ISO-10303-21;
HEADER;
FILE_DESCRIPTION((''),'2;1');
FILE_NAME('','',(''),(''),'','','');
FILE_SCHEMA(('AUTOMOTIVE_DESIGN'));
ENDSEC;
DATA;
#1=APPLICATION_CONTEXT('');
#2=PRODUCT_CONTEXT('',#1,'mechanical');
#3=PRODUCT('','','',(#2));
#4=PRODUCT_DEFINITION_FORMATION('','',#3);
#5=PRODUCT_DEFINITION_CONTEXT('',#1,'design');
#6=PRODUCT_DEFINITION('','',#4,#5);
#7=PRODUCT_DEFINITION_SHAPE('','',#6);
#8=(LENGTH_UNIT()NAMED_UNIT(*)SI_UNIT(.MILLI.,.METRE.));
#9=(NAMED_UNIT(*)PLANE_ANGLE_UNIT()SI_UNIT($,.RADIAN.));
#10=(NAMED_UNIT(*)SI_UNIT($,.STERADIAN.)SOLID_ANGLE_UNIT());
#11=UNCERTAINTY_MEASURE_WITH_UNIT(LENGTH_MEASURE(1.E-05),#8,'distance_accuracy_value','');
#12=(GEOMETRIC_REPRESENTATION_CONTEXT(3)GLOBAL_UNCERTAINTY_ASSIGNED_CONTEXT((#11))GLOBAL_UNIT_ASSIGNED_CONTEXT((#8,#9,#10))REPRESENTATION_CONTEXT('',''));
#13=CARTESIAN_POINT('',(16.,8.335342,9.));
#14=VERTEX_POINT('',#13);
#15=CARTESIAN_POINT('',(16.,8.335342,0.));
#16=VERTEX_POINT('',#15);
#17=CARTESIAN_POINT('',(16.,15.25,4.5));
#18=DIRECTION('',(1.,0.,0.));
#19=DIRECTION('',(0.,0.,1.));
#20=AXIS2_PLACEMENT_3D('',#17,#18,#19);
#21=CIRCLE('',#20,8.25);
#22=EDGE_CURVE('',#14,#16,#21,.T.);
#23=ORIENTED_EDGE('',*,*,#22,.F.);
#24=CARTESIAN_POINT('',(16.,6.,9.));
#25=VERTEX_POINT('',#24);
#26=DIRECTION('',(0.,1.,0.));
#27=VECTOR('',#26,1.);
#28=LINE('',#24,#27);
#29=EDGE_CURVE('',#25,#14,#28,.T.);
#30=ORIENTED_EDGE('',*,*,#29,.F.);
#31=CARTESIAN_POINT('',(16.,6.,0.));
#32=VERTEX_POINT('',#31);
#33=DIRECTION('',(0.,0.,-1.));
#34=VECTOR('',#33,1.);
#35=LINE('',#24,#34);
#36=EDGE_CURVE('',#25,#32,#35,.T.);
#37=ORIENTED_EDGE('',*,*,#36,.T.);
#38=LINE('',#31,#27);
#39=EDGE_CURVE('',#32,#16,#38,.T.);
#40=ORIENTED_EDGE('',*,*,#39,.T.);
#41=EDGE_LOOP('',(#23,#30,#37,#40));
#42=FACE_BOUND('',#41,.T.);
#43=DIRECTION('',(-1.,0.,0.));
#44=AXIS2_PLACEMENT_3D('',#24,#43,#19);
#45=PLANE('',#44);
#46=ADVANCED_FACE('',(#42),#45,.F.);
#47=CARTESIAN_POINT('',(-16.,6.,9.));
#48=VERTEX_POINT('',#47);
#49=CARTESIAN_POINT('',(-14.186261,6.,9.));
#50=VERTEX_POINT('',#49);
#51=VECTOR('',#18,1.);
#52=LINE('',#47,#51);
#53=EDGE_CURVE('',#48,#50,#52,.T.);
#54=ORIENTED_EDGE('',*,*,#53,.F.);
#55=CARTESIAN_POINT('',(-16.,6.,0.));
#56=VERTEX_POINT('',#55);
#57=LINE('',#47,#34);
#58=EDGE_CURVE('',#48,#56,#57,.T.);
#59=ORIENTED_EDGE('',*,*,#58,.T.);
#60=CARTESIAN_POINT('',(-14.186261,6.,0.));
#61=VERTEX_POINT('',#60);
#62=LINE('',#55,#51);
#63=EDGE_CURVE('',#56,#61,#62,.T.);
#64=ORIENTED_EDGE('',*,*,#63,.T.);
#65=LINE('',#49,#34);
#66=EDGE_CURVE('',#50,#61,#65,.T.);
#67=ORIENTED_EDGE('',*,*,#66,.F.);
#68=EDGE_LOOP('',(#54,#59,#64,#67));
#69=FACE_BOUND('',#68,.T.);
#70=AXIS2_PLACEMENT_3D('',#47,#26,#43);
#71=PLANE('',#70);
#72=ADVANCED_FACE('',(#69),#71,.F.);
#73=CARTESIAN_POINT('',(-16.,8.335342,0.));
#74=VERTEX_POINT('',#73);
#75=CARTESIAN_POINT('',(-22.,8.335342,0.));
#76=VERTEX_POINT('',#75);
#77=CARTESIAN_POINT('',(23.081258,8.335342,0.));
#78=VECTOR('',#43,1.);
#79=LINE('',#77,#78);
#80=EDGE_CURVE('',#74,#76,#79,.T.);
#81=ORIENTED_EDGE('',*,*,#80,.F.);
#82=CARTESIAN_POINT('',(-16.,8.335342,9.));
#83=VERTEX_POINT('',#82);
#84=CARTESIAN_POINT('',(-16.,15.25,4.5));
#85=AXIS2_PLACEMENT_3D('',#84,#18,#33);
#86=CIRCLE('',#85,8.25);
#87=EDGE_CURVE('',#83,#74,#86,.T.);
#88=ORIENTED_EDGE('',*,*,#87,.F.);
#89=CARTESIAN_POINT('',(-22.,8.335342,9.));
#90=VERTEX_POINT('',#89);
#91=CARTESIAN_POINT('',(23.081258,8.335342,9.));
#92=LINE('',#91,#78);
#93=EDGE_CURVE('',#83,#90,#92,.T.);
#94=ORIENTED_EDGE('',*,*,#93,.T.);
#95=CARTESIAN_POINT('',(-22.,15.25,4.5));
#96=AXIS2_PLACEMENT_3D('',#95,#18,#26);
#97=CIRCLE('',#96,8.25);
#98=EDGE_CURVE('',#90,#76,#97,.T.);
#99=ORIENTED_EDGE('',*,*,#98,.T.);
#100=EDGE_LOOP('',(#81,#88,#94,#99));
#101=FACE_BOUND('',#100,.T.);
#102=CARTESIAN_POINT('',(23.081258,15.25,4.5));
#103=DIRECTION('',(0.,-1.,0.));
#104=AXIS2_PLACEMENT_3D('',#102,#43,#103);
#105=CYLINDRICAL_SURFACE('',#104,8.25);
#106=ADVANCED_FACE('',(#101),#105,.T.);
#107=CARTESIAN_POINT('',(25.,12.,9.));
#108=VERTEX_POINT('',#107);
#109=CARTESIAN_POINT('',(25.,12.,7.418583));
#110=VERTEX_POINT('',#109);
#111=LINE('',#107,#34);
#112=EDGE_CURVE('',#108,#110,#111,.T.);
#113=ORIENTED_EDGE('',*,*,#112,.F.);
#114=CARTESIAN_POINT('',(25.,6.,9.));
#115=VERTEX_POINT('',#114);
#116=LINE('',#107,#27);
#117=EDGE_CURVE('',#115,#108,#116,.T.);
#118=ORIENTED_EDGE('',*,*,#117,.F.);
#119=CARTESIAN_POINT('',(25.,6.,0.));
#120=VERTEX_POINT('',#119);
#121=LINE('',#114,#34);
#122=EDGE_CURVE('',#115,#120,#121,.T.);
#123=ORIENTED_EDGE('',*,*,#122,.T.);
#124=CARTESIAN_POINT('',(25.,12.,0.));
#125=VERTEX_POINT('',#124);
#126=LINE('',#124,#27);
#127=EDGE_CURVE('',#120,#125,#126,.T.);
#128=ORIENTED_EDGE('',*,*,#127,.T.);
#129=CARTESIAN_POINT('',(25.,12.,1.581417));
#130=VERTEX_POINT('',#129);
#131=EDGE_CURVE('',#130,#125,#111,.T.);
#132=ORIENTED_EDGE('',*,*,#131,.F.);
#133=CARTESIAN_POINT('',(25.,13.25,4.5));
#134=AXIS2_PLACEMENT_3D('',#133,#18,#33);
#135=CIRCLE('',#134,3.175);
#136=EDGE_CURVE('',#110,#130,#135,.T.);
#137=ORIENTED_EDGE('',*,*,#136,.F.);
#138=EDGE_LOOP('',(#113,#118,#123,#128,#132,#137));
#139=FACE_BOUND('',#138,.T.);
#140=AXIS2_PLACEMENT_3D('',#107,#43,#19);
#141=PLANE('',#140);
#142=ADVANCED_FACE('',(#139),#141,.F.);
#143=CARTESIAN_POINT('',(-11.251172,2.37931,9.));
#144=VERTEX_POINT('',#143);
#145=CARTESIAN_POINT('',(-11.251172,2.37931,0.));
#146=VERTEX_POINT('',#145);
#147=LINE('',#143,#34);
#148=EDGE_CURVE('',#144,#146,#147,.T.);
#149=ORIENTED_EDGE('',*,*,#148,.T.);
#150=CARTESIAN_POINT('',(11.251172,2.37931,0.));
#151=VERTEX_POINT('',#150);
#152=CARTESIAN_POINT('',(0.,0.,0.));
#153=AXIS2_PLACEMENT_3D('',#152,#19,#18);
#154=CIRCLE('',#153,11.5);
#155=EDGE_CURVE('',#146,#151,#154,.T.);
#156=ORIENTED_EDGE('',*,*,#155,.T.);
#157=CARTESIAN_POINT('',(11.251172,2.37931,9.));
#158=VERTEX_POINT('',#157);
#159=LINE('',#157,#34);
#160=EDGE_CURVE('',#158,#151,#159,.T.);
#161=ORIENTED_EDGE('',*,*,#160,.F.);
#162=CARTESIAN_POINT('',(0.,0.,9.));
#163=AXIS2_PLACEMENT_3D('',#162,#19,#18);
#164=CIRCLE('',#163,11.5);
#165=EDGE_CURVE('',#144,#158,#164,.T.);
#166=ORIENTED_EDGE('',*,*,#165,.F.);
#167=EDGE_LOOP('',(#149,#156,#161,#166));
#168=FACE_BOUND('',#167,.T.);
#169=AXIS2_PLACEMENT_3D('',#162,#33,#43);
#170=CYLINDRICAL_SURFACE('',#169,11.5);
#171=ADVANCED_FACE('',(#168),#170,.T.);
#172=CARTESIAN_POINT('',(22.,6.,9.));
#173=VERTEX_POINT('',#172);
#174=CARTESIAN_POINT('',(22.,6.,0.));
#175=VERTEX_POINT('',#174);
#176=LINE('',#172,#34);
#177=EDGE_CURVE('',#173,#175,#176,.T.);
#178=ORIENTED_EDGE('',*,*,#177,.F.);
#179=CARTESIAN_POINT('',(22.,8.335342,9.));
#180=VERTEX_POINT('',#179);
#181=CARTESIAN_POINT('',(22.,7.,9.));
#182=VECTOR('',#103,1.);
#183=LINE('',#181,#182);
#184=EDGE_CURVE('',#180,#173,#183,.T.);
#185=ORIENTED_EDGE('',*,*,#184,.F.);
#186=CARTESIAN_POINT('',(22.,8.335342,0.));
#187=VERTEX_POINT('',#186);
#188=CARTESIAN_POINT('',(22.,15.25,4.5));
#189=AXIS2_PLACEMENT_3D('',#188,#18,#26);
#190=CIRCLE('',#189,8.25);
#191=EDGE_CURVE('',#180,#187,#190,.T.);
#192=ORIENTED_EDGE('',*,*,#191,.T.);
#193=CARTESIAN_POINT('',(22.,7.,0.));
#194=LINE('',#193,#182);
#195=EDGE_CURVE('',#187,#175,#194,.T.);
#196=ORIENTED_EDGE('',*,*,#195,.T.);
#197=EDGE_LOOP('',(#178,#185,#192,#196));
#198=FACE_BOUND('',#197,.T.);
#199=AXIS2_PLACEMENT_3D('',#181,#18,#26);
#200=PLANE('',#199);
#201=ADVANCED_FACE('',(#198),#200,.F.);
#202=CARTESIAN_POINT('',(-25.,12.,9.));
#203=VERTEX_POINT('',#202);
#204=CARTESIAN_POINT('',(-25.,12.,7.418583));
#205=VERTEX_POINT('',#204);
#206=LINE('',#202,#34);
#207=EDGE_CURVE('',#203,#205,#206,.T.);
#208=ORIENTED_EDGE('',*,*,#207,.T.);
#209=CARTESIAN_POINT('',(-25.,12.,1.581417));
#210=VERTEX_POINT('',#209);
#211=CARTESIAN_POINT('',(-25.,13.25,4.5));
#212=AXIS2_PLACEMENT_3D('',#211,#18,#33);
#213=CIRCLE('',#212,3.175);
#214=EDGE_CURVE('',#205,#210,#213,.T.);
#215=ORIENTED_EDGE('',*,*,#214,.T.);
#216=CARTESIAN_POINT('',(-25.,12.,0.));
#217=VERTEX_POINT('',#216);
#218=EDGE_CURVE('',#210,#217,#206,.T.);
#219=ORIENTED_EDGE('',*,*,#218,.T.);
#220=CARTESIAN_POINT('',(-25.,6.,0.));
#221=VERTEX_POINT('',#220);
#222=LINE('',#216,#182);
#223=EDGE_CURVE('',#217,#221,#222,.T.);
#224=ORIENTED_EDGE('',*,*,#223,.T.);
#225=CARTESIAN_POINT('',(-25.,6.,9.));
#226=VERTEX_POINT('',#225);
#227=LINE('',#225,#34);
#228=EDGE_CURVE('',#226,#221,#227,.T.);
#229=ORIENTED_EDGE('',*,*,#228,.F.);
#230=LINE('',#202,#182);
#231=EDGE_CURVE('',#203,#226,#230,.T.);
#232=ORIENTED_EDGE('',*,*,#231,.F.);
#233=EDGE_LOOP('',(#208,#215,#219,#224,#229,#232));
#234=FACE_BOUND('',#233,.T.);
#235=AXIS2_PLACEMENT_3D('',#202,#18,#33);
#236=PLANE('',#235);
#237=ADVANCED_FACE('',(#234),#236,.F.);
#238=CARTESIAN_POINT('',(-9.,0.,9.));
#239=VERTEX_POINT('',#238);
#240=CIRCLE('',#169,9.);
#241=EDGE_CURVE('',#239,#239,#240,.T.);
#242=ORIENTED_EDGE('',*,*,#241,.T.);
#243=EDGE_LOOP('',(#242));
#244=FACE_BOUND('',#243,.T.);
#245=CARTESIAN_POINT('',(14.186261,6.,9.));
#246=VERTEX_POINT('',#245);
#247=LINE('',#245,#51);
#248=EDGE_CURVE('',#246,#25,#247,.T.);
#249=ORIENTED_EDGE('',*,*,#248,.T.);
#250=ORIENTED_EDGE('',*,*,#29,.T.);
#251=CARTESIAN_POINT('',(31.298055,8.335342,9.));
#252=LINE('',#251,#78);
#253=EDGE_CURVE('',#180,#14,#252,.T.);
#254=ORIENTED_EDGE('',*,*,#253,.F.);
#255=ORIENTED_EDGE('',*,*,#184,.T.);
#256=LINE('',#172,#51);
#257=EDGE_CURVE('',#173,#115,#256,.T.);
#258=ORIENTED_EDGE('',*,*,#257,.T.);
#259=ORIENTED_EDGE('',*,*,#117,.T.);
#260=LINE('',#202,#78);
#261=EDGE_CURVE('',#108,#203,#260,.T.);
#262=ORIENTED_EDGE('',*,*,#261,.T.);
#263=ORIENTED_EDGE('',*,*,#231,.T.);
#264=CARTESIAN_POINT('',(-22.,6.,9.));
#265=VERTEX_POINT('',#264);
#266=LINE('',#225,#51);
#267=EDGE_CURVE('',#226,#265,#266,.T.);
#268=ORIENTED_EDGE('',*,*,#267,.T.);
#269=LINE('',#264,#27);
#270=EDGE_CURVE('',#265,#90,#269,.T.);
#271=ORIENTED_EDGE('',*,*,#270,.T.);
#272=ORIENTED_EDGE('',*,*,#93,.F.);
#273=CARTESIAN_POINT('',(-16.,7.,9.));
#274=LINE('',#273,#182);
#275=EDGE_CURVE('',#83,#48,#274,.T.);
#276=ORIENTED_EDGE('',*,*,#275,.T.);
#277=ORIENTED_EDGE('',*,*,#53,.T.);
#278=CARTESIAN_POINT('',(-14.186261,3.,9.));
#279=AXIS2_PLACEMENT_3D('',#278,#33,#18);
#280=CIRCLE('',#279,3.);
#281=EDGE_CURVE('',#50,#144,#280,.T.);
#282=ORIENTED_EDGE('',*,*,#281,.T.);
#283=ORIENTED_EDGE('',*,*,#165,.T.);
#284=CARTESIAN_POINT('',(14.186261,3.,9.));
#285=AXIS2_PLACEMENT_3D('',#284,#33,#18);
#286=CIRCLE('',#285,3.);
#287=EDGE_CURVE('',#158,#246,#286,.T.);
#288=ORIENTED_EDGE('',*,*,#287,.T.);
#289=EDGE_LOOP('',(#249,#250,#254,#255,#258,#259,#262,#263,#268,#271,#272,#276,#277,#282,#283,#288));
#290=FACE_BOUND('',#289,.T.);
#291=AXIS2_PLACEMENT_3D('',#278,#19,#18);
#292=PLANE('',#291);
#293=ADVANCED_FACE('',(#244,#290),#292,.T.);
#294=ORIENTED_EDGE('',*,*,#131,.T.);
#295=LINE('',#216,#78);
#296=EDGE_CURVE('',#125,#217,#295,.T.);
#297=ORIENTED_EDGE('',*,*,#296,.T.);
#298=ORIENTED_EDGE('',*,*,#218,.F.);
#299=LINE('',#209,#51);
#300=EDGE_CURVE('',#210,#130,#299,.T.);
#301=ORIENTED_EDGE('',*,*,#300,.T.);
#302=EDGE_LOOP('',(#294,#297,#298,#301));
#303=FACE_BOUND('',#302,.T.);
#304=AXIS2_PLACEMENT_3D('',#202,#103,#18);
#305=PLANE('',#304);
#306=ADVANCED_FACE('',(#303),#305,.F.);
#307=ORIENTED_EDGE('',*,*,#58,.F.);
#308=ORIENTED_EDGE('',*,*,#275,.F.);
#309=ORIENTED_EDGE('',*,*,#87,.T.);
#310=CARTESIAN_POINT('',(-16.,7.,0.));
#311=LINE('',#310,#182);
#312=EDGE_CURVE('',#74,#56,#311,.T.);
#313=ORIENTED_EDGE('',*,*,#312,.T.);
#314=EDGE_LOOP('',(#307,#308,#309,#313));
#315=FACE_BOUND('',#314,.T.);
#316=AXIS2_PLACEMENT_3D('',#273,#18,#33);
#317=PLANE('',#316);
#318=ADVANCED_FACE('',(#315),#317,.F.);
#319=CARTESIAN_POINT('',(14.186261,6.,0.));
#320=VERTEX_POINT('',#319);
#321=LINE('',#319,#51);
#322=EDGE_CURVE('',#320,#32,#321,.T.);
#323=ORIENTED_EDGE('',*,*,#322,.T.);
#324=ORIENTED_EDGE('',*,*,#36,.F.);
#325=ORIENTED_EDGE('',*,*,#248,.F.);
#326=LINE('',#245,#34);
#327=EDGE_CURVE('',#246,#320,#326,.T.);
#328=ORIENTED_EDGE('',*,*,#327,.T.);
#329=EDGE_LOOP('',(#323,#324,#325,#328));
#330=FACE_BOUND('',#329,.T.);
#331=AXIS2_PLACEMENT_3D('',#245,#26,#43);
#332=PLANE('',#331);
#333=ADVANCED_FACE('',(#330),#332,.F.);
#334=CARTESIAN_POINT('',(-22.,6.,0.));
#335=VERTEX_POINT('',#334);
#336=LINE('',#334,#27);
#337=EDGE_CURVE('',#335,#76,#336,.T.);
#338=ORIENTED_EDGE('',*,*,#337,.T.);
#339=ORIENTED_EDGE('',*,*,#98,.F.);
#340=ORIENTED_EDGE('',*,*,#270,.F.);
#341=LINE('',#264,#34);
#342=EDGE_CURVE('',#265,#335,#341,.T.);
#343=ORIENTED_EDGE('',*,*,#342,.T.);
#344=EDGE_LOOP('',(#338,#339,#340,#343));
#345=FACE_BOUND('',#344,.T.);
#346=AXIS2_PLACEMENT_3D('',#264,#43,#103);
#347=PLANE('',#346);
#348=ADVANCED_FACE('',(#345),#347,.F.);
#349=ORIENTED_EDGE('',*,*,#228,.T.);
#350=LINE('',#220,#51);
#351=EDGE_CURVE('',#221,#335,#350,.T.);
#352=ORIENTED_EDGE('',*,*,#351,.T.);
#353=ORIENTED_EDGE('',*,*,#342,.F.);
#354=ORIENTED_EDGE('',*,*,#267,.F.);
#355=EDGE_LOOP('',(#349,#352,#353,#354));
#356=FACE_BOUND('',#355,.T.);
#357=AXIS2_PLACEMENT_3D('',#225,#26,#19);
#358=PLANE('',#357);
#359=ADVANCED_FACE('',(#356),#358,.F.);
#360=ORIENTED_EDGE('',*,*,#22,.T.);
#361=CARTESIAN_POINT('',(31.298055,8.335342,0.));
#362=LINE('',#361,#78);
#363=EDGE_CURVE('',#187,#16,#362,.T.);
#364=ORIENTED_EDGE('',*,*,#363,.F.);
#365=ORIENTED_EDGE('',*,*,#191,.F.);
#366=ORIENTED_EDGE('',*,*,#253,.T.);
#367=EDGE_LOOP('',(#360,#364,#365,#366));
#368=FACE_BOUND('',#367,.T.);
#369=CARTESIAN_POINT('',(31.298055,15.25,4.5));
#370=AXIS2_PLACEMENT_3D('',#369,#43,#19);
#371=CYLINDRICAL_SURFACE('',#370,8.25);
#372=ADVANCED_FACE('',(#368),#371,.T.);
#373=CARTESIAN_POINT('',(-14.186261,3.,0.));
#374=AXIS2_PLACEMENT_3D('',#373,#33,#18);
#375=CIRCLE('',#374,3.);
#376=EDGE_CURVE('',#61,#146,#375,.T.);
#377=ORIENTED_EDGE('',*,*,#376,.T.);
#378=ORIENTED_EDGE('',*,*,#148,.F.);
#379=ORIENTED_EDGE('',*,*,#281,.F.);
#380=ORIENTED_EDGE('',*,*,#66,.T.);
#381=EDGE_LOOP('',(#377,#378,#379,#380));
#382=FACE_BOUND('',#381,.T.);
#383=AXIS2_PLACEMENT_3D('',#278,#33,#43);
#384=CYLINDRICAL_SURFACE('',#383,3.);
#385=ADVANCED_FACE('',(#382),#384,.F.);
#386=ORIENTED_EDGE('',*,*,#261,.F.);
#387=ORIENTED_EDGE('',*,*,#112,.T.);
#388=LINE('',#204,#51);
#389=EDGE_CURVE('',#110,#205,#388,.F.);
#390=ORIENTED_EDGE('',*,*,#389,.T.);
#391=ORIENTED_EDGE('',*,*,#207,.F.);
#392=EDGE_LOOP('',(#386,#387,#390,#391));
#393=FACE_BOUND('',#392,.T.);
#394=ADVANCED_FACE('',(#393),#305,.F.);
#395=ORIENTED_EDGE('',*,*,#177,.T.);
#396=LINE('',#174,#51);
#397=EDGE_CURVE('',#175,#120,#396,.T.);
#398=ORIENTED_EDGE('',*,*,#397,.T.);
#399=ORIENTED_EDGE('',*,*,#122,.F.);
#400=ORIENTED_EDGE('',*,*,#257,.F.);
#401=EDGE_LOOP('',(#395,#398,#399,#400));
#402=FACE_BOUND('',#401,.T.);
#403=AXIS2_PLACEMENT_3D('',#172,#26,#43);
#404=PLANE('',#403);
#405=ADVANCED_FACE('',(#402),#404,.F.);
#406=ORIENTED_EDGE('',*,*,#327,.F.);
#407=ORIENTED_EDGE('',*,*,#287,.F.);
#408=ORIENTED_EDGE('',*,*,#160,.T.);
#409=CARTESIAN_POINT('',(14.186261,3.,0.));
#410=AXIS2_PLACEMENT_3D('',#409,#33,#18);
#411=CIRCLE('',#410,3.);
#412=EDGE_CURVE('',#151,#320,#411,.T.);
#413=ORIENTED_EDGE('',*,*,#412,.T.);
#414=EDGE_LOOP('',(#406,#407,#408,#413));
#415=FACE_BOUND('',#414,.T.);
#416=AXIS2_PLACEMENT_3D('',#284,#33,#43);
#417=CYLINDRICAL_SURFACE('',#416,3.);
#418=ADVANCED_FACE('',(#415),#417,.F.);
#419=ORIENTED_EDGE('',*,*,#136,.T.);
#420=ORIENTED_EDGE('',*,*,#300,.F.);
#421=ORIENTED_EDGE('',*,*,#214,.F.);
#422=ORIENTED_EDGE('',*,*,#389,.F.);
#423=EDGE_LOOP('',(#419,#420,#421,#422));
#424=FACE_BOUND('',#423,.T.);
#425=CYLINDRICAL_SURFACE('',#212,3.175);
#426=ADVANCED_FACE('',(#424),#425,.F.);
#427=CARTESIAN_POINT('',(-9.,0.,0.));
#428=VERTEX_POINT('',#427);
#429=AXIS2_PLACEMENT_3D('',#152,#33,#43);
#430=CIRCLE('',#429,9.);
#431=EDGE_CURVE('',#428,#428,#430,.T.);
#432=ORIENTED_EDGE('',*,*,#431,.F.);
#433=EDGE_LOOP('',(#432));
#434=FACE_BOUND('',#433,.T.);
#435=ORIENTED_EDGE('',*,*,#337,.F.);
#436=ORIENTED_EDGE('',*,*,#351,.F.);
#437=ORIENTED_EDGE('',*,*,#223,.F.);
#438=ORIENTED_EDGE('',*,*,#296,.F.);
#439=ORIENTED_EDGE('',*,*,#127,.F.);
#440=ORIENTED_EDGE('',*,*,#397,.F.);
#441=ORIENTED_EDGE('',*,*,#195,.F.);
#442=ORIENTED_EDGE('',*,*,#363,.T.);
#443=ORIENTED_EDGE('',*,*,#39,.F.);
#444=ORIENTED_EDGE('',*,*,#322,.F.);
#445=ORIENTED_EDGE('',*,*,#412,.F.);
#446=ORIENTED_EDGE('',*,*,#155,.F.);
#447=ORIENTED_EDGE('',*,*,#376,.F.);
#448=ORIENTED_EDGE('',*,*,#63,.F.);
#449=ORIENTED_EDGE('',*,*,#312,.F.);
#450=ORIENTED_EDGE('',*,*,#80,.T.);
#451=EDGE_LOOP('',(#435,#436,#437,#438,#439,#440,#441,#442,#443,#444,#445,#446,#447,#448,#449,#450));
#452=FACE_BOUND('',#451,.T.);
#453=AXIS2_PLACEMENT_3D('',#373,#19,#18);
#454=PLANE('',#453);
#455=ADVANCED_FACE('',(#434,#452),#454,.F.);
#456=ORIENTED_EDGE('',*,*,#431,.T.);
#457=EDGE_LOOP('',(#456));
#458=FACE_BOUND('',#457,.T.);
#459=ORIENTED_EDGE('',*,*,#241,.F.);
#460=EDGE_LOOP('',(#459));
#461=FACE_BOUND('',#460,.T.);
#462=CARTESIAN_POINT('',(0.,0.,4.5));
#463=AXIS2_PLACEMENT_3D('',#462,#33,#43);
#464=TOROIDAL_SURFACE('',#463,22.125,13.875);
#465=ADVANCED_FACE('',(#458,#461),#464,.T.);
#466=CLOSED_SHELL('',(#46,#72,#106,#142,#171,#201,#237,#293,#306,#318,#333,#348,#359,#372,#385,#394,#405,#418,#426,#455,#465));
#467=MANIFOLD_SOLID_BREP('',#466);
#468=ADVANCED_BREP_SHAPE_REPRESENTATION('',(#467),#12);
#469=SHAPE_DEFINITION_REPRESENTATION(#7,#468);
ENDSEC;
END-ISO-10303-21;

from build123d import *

# Parameters (mm, degrees)
SKETCH2_R           = 8.25
BOSS_EXTRUDE1_DEPTH = 9
SKETCH3_R           = 3.175
CUT_EXTRUDE1_DEPTH  = 51
SKETCH4_OUTSIDE_W   = 22.196
SKETCH4_OUTSIDE_H   = 36.696
SKETCH4_OUTSIDE_R   = 8.25
CUT_EXTRUDE2_DEPTH  = 6
CUT_EXTRUDE3_DEPTH  = 6


with BuildPart() as part:
    # Sketch2 → Boss-Extrude1 (new body)
    with BuildSketch(Plane.XY):
        with BuildLine():
            Line((-25, 12), (25, 12))
            Line((25, 12), (25, 6))
            Line((25, 6), (22, 6))
            Line((22, 6), (22, 7))
            Line((22, 7), (16, 7))
            Line((16, 7), (16, 6))
            Line((16, 6), (14.186260959, 6))
            ThreePointArc((14.186260959, 6), (11.855802961, 4.88917059), (11.251172485, 2.379310345))
            ThreePointArc((11.251172485, 2.379310345), (0, -11.5), (-11.251172485, 2.379310345))
            ThreePointArc((-11.251172485, 2.379310345), (-11.855802961, 4.88917059), (-14.186260959, 6))
            Line((-14.186260959, 6), (-16, 6))
            Line((-16, 6), (-16, 7))
            Line((-16, 7), (-22, 7))
            Line((-22, 7), (-22, 6))
            Line((-22, 6), (-25, 6))
            Line((-25, 6), (-25, 12))
        make_face()
        Circle(SKETCH2_R, mode=Mode.SUBTRACT)
    extrude(amount=BOSS_EXTRUDE1_DEPTH)

    # Sketch3 → Cut-Extrude1 (cut, through all)
    with BuildSketch(Plane(origin=(25, 0, 0), x_dir=(0, 0, -1), z_dir=(1, 0, 0))):
        with Locations((-4.5, 13.25)):
            Circle(SKETCH3_R)
    extrude(amount=-CUT_EXTRUDE1_DEPTH, mode=Mode.SUBTRACT)

    # Sketch4 outside → Cut-Extrude2 (cut)
    with BuildSketch(Plane(origin=(-22, 0, 0), x_dir=(0, 0, -1), z_dir=(1, 0, 0))):
        with Locations((-4.5, 0.25)):
            Rectangle(SKETCH4_OUTSIDE_W, SKETCH4_OUTSIDE_H)
        with Locations((-4.5, 15.25)):
            Circle(SKETCH4_OUTSIDE_R, mode=Mode.SUBTRACT)
    extrude(amount=CUT_EXTRUDE2_DEPTH, mode=Mode.SUBTRACT)

    # Sketch5 → Cut-Extrude3 (cut)
    with BuildSketch(Plane.ZY.offset(-16)):
        with BuildLine():
            Line((0, 8.335341657), (0, 6))
            Line((0, 6), (9, 6))
            Line((9, 6), (9, 8.335341657))
            ThreePointArc((9, 8.335341657), (4.5, 7), (0, 8.335341657))
        make_face()
    extrude(amount=-CUT_EXTRUDE3_DEPTH, mode=Mode.SUBTRACT)

    # Sketch6 → Cut-Revolve1 (revolve, cut)
    with BuildSketch(Plane(origin=(0, 0, 0), x_dir=(0, 0, -1), z_dir=(1, 0, 0)), mode=Mode.PRIVATE) as cut_revolve1_sk:
        with BuildLine():
            Line((-9, 9), (-9, 0))
            Line((-9, 0), (0, 0))
            Line((0, 0), (0, 9))
            ThreePointArc((0, 9), (-4.5, 8.25), (-9, 9))
        make_face()
    revolve(cut_revolve1_sk.sketch.rotate(Axis((0, 0, 9), (0, 0, 1)), 90), axis=Axis((0, 0, 9), (0, 0, 1)), mode=Mode.SUBTRACT)  # turned: the seam where the file's is


solid = part.part
